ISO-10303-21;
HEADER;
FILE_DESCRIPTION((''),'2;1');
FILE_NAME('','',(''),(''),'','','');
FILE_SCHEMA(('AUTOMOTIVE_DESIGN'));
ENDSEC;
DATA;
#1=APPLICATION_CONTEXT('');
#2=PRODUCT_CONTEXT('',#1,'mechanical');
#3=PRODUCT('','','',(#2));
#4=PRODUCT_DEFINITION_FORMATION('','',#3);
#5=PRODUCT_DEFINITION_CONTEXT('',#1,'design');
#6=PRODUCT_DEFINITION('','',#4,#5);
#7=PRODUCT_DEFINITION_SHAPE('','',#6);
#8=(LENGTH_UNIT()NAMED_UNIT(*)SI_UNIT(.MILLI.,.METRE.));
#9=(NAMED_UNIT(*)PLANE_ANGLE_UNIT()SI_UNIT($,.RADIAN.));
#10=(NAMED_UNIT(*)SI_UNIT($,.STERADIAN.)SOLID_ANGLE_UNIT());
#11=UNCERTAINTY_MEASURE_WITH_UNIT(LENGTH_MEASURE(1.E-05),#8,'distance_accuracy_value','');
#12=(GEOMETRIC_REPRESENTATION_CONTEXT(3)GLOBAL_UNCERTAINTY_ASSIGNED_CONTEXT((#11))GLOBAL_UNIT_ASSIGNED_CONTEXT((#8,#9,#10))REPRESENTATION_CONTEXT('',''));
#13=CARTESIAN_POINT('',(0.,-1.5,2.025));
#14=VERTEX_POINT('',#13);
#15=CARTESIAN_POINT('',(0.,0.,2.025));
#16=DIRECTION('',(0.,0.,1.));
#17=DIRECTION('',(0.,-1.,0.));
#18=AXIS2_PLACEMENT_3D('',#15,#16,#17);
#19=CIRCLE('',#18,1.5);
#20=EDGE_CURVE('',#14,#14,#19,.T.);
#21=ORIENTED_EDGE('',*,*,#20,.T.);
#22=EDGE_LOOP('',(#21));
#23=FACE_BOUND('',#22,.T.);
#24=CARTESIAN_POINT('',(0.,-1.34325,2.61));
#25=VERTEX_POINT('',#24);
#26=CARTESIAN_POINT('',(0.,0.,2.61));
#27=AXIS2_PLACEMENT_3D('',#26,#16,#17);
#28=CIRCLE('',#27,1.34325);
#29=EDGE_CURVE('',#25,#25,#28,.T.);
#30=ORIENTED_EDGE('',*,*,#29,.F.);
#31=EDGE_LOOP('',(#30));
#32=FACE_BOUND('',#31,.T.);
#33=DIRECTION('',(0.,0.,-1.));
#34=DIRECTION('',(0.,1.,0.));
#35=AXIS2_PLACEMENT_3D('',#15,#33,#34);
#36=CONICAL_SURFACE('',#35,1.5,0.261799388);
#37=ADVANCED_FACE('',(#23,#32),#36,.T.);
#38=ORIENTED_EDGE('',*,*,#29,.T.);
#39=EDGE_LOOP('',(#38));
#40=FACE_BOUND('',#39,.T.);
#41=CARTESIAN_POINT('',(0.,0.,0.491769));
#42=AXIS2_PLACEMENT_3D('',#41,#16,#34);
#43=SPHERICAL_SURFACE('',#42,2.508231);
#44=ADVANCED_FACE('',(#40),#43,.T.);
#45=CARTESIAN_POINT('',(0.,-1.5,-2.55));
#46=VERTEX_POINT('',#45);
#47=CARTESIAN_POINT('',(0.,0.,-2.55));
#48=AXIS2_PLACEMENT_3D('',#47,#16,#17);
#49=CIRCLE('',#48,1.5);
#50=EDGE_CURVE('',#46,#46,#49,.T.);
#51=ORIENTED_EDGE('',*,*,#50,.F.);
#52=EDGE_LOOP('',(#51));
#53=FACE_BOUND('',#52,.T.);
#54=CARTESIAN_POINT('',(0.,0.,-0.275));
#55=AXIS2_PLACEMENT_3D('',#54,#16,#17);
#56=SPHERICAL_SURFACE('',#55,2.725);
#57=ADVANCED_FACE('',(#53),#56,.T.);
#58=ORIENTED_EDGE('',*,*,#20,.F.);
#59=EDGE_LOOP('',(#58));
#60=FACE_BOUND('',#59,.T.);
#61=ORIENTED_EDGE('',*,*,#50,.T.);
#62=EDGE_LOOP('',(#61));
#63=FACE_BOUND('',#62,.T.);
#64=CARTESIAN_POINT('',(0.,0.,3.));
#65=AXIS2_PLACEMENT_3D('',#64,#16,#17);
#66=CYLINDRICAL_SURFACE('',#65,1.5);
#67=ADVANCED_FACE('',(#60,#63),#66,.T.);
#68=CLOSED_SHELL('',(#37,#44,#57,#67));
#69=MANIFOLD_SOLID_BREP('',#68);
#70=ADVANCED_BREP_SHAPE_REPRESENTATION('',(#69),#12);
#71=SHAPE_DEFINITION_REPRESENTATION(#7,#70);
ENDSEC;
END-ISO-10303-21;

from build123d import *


with BuildPart() as part:
    # Sketch3 → Revolve1 (revolve)
    with BuildSketch(Plane(origin=(0, 0, 0), x_dir=(0, 0, -1), z_dir=(1, 0, 0))):
        with BuildLine():
            Line((-3, 0), (3, 0))
            ThreePointArc((3, 0), (2.885076627, 0.783022988), (2.55, 1.5))
            Line((2.55, 1.5), (-2.025, 1.5))
            Line((-2.025, 1.5), (-2.61, 1.343249722))
            ThreePointArc((-2.61, 1.343249722), (-2.90052754, 0.699360389), (-3, 0))
        make_face()
    revolve(axis=Axis((0, 0, 3), (0, 0, -1)))


solid = part.part
